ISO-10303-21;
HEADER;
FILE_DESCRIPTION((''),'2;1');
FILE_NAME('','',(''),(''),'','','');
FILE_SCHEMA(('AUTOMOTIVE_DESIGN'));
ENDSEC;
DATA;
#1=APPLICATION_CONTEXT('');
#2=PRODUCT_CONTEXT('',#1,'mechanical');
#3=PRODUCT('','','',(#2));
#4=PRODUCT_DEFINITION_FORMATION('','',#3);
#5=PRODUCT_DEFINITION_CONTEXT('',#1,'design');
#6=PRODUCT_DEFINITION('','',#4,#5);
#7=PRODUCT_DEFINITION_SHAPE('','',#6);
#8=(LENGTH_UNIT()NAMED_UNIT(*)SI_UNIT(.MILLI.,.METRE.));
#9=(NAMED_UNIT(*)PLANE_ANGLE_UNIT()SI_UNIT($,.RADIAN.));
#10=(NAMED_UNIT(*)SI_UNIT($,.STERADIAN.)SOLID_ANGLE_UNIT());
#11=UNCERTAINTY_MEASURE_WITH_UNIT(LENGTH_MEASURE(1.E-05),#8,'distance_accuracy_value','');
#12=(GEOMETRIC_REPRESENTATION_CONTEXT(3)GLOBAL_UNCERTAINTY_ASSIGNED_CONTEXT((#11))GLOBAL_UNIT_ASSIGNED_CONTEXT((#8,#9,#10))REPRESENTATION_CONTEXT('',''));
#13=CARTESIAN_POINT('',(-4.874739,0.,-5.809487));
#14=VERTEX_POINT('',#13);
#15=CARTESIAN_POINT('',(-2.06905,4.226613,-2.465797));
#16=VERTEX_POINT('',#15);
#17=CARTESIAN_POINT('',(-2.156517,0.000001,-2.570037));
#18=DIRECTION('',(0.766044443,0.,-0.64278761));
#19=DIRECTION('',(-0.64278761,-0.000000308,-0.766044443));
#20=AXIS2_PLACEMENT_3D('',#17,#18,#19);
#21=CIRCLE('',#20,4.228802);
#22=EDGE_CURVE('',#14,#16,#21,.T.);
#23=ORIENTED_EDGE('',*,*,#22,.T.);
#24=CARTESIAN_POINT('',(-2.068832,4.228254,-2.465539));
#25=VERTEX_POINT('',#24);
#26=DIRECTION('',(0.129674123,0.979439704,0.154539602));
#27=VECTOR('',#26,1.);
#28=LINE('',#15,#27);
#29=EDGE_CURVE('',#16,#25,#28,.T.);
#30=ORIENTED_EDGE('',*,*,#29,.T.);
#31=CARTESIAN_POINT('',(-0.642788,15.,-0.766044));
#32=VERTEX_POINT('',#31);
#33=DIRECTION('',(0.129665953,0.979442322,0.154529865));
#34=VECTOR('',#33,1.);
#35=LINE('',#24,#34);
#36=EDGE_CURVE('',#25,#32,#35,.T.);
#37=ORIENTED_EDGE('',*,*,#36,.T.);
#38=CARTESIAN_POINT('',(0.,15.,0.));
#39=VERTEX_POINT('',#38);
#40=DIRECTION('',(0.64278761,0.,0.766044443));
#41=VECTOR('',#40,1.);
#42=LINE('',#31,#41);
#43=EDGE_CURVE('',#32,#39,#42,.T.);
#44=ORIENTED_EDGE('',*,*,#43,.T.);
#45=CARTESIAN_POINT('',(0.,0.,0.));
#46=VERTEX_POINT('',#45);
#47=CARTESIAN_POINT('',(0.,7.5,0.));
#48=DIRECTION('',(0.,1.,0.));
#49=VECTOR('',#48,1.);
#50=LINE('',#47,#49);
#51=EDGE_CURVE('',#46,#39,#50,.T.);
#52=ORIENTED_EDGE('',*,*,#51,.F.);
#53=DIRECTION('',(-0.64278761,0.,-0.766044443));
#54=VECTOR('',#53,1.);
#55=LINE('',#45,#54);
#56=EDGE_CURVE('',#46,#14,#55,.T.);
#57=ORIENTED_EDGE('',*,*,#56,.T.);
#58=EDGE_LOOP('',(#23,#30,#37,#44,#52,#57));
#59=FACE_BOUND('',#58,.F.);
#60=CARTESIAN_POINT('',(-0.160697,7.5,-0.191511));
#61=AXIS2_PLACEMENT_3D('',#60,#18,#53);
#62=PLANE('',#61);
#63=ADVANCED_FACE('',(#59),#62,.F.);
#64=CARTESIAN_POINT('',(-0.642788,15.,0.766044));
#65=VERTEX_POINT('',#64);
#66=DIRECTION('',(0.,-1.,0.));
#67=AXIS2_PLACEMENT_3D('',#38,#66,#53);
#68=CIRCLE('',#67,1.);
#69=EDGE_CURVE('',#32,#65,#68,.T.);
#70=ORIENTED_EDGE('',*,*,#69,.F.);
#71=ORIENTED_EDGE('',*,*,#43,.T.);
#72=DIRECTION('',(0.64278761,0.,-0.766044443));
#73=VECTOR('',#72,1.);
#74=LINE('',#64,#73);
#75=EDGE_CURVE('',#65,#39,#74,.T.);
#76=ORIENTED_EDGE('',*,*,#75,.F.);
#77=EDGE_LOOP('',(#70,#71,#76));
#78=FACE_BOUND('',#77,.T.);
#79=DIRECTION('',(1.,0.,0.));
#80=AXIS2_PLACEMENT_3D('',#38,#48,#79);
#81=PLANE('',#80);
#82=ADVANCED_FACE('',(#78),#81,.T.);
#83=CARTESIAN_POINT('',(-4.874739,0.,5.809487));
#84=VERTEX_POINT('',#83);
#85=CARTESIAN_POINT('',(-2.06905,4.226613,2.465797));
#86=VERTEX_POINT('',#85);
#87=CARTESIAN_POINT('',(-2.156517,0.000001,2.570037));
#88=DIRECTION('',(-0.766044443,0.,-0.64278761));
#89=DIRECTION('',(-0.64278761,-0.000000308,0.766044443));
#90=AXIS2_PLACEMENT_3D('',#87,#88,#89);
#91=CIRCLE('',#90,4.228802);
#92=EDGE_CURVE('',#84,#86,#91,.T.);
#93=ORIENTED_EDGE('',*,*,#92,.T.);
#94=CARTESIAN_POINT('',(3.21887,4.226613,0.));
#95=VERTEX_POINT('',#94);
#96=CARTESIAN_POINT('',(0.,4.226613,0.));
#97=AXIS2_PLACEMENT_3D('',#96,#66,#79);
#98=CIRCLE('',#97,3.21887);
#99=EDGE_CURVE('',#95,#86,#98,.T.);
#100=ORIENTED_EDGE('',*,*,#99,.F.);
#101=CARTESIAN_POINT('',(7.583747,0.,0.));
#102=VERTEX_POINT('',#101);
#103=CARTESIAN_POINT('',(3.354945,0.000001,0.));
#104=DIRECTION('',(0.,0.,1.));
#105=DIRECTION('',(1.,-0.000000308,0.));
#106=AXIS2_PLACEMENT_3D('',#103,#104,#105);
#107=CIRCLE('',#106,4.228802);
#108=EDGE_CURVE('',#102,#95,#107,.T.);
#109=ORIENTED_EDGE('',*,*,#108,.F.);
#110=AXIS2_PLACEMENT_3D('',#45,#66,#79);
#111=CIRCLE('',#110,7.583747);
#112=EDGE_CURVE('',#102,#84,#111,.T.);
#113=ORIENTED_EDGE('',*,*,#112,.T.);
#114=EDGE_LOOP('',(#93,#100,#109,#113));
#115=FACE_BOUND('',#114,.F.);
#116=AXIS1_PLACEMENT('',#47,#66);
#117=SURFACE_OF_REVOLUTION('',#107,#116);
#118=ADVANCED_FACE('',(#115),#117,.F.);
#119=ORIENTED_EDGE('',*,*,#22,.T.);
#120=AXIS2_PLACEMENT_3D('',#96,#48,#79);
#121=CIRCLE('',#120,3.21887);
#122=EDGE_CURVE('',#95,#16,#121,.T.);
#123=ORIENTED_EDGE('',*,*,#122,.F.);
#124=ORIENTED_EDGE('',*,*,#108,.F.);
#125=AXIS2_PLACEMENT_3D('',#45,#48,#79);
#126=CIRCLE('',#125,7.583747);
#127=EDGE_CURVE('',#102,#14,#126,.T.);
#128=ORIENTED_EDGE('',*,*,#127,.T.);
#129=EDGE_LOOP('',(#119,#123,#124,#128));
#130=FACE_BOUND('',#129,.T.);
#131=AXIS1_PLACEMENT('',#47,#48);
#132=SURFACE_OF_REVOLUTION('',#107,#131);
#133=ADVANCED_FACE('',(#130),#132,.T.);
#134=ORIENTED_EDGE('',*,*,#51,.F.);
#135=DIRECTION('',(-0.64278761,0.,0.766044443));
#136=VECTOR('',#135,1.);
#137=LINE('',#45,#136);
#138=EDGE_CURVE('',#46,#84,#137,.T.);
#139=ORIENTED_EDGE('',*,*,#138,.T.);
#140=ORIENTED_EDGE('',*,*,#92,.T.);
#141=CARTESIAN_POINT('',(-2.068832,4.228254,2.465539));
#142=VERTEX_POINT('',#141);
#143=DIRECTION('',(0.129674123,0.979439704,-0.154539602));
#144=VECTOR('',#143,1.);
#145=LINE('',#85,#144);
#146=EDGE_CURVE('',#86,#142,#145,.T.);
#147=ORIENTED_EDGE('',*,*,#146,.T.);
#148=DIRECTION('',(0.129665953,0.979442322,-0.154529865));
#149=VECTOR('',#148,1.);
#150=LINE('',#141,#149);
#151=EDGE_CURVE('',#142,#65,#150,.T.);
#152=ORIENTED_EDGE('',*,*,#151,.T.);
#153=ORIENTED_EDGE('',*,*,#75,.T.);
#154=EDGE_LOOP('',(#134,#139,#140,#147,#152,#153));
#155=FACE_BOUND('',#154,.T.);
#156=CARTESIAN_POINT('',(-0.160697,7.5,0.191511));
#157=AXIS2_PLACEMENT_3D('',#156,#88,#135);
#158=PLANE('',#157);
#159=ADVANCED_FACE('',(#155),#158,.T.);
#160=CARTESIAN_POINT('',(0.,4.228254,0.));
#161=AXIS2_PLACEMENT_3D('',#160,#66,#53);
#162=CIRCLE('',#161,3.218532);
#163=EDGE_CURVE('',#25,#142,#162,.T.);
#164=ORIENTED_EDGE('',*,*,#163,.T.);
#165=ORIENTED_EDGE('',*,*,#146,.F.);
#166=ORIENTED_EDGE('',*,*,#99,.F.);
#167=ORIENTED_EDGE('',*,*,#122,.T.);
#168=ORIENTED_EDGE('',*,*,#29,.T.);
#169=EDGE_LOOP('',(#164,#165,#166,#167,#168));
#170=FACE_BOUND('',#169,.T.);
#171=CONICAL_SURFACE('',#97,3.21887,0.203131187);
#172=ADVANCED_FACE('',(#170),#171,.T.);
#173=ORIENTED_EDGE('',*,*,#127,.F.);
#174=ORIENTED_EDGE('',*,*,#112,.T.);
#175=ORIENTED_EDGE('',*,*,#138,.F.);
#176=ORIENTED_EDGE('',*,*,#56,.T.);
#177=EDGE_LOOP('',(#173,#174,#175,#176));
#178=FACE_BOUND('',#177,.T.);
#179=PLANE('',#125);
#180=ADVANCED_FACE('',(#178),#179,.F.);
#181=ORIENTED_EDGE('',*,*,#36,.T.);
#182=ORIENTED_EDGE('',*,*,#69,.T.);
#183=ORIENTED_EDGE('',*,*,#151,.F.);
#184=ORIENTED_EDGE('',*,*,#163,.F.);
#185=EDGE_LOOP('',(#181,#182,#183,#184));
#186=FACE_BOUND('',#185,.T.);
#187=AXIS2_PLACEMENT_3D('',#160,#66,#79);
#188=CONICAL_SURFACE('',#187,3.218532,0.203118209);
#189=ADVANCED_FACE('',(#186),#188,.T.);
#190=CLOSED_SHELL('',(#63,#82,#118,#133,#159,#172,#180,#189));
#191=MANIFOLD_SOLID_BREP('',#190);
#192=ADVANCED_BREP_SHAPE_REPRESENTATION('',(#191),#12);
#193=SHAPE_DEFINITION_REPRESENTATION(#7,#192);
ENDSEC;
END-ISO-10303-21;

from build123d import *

# Parameters (mm, degrees)
F0_W     = 0.5
F0_H     = 15
F1_ANGLE = -260


with BuildPart() as f1:
    # F0 (on Top) → F1 (revolve, symmetric)
    with BuildSketch(Plane.XY) as f1_sk:
        with Locations((0.25, 7.5)):
            Rectangle(F0_W, F0_H)
        with BuildLine():
            Line((0.5, 15), (0.5, 0))
            Line((0.5, 0), (7.583747, 0))
            ThreePointArc((7.583747, 0), (6.296657, 3.037944), (3.21887, 4.226613))
            Line((3.21887, 4.226613), (3.218532, 4.228254))
            Line((3.218532, 4.228254), (1, 15))
            Line((1, 15), (0.5, 15))
        make_face()
    revolve(axis=Axis((0, 7.5, 0), (0, 1, 0)), revolution_arc=F1_ANGLE / 2)
    revolve(f1_sk.sketch, axis=Axis((0, 7.5, 0), (0, -1, 0)), revolution_arc=F1_ANGLE / 2)


solid = f1.part
